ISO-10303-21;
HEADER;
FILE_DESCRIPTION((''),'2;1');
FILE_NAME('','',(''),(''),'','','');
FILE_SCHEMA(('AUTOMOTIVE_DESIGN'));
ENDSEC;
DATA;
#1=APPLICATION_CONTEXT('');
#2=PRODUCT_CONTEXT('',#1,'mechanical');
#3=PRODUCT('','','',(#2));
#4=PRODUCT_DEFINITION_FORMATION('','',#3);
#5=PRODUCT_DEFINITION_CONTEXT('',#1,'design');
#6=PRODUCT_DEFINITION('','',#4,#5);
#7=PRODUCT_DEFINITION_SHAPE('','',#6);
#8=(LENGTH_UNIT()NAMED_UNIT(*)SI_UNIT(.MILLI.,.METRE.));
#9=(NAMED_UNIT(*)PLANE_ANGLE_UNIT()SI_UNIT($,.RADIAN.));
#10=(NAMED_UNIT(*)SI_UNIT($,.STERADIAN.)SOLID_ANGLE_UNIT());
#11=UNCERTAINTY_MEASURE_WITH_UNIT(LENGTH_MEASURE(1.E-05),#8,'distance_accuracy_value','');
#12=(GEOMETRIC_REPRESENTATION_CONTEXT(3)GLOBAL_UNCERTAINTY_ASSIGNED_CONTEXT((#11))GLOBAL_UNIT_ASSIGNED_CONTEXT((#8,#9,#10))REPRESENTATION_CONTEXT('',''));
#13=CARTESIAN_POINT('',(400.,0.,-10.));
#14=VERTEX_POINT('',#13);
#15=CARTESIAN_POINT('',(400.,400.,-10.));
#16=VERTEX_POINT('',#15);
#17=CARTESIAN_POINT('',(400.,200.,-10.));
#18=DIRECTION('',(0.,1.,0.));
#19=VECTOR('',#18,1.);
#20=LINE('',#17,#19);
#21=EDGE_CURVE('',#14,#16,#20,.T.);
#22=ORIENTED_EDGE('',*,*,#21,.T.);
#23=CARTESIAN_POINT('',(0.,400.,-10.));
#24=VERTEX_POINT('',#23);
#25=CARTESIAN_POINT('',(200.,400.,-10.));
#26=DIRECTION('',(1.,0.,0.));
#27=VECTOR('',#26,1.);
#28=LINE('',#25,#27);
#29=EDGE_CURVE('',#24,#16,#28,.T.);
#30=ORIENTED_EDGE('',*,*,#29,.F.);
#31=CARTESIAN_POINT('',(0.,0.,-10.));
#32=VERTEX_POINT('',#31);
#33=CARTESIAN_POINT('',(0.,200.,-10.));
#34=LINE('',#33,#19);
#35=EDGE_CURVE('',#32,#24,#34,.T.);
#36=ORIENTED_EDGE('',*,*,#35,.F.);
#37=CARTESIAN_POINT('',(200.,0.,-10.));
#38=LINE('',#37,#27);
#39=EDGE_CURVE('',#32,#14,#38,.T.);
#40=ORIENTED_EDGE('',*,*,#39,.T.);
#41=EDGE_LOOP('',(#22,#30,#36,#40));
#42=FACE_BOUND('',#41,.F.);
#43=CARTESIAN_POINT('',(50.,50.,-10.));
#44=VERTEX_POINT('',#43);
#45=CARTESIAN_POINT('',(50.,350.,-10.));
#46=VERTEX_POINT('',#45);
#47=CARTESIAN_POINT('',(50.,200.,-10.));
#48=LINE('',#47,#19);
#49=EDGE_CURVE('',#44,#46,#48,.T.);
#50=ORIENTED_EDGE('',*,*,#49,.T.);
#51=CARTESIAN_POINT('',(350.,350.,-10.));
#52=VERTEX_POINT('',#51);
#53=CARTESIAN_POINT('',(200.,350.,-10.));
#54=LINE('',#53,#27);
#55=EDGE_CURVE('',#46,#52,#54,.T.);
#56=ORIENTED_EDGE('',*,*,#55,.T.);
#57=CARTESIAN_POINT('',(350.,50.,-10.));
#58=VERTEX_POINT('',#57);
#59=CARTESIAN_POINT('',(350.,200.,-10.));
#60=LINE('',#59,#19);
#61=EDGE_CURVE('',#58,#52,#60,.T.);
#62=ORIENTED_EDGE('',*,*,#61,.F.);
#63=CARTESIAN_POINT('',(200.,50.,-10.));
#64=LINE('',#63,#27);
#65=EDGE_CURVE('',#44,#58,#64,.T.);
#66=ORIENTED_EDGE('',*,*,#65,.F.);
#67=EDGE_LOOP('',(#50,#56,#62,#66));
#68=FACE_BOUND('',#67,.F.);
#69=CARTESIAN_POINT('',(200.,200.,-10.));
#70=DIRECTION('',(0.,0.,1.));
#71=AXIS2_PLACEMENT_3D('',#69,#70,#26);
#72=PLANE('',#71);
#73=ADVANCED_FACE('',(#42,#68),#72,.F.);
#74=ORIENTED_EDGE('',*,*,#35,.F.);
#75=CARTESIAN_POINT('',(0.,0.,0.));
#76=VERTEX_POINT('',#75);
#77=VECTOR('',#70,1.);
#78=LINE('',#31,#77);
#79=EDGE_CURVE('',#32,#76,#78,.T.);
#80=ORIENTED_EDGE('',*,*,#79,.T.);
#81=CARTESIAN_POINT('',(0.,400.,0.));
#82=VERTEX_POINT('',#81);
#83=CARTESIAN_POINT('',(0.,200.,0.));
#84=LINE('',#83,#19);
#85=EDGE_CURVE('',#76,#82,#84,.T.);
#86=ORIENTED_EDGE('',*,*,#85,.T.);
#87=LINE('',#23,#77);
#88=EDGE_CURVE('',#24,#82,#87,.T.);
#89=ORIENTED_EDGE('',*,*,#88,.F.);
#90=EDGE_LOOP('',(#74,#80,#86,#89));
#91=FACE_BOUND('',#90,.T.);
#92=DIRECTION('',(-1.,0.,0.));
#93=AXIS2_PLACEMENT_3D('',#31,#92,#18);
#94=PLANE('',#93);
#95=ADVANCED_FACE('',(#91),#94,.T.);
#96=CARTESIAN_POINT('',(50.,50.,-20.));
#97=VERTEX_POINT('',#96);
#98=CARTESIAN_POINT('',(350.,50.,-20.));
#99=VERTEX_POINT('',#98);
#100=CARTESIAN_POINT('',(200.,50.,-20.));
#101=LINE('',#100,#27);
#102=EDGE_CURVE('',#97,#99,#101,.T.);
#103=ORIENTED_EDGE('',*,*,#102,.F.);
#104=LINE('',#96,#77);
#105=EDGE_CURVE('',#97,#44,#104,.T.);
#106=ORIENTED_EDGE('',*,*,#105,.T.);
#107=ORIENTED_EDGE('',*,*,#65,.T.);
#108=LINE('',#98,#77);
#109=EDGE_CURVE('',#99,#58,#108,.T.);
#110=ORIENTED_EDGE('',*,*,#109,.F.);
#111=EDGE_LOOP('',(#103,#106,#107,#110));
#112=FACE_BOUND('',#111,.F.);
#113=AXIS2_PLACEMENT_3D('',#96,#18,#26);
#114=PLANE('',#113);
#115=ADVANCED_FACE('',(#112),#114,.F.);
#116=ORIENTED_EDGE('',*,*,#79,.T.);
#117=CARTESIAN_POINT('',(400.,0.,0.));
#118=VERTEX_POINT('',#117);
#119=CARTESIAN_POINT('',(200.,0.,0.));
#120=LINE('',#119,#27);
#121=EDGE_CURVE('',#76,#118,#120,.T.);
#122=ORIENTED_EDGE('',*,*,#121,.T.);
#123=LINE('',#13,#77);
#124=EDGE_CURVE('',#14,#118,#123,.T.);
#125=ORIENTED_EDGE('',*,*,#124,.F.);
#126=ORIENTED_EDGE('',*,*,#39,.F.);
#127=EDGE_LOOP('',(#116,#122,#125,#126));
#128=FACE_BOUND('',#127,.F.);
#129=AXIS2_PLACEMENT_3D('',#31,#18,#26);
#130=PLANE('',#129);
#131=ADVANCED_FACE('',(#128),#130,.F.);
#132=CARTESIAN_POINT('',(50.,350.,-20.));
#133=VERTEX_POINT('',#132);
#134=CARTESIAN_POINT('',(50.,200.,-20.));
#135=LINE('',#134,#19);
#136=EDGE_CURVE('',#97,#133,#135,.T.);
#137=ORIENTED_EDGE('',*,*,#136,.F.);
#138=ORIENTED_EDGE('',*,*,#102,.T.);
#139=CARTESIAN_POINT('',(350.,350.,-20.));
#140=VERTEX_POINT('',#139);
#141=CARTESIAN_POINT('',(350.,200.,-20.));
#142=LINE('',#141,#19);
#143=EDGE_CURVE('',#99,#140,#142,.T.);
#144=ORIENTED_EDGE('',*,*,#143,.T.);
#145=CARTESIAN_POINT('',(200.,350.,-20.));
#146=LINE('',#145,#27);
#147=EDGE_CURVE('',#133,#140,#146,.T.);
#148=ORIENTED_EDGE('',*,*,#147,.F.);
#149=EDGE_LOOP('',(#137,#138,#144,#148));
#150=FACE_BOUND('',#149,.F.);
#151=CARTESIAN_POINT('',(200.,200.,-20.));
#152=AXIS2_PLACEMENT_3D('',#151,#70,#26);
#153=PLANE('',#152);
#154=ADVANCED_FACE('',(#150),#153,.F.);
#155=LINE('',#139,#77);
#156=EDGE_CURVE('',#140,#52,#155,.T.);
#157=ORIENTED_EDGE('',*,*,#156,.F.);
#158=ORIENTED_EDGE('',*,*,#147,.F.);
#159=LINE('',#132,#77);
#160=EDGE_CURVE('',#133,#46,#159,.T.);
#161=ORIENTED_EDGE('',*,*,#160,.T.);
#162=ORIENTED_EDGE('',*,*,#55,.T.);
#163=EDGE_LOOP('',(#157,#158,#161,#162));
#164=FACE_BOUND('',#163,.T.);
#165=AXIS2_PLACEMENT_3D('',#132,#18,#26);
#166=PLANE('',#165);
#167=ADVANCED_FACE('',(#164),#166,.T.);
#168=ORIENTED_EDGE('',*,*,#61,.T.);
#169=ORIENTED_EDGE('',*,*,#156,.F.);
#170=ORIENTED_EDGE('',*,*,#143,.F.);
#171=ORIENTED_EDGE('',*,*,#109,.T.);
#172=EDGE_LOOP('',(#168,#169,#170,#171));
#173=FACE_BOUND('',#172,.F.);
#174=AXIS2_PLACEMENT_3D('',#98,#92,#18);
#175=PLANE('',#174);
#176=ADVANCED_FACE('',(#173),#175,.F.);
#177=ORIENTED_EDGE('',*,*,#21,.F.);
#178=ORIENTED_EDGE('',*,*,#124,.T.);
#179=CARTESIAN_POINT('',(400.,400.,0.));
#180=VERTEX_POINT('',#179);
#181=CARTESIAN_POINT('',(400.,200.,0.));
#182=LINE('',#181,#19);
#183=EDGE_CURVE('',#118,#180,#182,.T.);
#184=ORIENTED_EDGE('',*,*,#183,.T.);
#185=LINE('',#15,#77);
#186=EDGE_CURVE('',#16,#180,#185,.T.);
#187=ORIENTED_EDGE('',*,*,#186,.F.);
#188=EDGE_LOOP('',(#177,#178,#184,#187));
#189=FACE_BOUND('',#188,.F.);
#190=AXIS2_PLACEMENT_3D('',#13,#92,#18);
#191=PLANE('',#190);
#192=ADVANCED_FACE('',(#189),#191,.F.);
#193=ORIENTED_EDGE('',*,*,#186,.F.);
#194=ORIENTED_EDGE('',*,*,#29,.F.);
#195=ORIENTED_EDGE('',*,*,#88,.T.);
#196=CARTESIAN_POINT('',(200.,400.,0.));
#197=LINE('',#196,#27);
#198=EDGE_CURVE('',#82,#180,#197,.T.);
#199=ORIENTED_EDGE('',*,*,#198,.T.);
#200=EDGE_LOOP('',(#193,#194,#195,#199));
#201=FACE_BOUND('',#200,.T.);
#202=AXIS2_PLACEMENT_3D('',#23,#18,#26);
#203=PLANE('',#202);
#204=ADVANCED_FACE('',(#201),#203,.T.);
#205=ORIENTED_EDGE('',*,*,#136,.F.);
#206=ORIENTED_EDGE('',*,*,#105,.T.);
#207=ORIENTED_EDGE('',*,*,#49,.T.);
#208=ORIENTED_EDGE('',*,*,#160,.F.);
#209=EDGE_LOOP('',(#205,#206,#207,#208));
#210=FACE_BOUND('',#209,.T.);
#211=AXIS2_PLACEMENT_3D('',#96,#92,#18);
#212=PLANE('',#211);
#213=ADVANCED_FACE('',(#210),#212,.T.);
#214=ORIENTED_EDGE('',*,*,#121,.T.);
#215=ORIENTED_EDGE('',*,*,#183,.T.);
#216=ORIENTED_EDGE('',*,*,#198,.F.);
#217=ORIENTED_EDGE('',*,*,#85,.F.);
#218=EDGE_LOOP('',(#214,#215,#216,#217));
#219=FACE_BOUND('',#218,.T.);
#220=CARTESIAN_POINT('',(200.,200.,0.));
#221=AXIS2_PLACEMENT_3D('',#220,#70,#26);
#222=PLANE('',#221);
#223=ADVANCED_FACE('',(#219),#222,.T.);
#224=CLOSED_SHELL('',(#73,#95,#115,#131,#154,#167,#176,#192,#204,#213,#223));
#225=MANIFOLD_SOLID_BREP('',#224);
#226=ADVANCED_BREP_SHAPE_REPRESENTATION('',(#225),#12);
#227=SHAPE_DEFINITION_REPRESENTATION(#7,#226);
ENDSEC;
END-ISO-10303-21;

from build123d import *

# Parameters (mm, degrees)
BOX004_W     = 300
BOX004_H     = 300
BOX004_DEPTH = 10
BOX003_W     = 400
BOX003_H     = 400
BOX003_DEPTH = 10


with BuildPart() as cube003:
    # Box004 → Box004 (new body)
    with BuildSketch(Plane(origin=(50, 50, -20), x_dir=(1, 0, 0), z_dir=(0, 0, 1))):
        with Locations((150, 150)):
            Rectangle(BOX004_W, BOX004_H)
    extrude(amount=BOX004_DEPTH)


with BuildPart() as w_plate:
    # Box003 → Box003 (new body)
    with BuildSketch(Plane.XY.offset(-10)):
        with Locations((200, 200)):
            Rectangle(BOX003_W, BOX003_H)
    extrude(amount=BOX003_DEPTH)

    # Fusion: union Cube003
    add(cube003.part)


solid = w_plate.part
